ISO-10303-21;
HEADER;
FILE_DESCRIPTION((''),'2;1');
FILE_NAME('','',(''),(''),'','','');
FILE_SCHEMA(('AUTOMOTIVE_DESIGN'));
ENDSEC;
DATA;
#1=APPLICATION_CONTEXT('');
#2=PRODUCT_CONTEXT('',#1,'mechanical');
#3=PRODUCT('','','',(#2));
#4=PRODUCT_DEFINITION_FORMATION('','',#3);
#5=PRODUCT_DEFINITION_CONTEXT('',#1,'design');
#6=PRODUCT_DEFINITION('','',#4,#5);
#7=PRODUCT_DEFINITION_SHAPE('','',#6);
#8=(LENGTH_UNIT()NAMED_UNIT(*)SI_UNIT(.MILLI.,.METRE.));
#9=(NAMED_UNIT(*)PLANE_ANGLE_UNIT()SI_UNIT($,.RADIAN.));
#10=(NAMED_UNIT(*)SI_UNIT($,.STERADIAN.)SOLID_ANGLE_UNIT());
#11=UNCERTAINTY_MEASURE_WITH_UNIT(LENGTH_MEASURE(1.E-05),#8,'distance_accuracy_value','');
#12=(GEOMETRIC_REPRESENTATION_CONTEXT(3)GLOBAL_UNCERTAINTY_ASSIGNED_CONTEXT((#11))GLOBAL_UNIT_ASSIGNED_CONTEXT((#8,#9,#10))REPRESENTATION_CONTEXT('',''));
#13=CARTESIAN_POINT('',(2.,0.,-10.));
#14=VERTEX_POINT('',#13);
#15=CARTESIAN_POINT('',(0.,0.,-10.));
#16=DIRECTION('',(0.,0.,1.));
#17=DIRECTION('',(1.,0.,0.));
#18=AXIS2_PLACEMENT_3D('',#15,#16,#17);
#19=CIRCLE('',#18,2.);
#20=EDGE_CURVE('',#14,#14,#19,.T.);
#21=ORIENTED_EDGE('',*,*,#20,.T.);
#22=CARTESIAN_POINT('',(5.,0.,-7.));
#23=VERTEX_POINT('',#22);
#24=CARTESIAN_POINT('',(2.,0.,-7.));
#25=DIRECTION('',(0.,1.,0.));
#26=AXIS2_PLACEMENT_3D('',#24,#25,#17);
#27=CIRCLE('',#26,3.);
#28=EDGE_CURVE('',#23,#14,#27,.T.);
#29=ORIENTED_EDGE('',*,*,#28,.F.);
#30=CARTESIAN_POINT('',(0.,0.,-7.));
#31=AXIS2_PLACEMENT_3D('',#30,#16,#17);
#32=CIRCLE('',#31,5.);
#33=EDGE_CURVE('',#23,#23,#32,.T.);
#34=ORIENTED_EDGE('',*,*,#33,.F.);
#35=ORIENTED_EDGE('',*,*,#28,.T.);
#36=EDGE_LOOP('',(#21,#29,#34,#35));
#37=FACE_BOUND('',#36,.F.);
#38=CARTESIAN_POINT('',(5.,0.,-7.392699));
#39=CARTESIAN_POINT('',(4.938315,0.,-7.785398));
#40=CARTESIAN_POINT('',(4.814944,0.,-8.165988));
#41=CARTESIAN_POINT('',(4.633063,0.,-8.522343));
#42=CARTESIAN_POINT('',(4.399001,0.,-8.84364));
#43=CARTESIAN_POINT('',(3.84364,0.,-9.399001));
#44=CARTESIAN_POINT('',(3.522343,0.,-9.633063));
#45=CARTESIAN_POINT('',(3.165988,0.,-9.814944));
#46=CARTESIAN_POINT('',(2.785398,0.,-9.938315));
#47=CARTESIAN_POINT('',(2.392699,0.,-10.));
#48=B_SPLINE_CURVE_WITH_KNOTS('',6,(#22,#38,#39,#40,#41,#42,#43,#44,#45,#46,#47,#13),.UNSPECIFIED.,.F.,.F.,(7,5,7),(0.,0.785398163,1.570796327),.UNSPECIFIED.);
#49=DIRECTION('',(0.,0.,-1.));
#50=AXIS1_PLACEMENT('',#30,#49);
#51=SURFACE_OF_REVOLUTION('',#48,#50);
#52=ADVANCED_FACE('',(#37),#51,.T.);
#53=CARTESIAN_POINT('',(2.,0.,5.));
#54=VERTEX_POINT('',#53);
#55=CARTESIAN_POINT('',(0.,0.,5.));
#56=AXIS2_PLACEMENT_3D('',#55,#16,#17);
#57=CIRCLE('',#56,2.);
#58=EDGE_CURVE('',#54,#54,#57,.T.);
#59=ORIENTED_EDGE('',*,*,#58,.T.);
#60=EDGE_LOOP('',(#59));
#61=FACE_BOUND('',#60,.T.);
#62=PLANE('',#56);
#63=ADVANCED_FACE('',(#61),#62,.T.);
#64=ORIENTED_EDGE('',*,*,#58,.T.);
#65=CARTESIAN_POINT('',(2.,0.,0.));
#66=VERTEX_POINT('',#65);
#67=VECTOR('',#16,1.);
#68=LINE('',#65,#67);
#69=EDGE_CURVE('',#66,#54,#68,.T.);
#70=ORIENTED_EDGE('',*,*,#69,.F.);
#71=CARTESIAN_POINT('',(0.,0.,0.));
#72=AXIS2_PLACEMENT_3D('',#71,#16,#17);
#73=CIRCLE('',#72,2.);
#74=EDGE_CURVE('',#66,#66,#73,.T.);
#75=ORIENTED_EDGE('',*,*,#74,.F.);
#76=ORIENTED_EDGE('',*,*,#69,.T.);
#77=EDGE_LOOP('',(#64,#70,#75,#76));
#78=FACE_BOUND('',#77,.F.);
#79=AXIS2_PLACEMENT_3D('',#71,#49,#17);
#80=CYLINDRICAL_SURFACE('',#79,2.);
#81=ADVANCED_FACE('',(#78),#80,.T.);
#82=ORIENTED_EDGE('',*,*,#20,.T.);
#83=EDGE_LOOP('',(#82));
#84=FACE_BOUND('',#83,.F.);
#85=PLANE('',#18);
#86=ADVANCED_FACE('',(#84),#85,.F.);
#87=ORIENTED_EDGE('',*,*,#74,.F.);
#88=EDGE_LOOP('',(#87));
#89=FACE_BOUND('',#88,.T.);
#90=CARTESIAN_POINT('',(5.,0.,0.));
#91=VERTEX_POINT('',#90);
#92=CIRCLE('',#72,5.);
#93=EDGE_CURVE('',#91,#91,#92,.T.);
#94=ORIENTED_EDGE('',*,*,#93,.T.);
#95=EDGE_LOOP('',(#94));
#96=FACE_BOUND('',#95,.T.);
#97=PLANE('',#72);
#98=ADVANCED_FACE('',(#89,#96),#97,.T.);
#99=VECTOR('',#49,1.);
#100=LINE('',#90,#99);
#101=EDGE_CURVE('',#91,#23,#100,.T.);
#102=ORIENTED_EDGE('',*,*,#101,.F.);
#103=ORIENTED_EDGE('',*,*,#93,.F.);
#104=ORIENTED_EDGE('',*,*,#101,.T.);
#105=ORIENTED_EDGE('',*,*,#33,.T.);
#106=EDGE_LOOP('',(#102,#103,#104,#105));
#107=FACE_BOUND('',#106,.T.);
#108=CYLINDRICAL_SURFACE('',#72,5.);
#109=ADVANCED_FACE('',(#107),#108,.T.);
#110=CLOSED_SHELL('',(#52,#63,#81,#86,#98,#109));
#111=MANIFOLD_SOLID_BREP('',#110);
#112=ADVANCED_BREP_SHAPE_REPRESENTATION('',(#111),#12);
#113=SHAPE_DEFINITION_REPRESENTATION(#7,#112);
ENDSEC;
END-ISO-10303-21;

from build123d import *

# Parameters (mm, degrees)
SKETCH_R     = 2
PAD_DEPTH    = 5
SKETCH001_R  = 5
PAD001_DEPTH = 10
FILLET_R     = 3


with BuildPart() as part:
    # Sketch → Pad (new body)
    with BuildSketch(Plane.XY):
        Circle(SKETCH_R)
    extrude(amount=PAD_DEPTH)

    # Sketch001 → Pad001 (join)
    with BuildSketch(Plane.XY):
        Circle(SKETCH001_R)
    extrude(amount=-PAD001_DEPTH)

    # Fillet
    fillet_edges = [part.edges().sort_by_distance(p)[0] for p in [
        (-5, 0, -10),
    ]]
    fillet(fillet_edges, radius=FILLET_R)


solid = part.part
